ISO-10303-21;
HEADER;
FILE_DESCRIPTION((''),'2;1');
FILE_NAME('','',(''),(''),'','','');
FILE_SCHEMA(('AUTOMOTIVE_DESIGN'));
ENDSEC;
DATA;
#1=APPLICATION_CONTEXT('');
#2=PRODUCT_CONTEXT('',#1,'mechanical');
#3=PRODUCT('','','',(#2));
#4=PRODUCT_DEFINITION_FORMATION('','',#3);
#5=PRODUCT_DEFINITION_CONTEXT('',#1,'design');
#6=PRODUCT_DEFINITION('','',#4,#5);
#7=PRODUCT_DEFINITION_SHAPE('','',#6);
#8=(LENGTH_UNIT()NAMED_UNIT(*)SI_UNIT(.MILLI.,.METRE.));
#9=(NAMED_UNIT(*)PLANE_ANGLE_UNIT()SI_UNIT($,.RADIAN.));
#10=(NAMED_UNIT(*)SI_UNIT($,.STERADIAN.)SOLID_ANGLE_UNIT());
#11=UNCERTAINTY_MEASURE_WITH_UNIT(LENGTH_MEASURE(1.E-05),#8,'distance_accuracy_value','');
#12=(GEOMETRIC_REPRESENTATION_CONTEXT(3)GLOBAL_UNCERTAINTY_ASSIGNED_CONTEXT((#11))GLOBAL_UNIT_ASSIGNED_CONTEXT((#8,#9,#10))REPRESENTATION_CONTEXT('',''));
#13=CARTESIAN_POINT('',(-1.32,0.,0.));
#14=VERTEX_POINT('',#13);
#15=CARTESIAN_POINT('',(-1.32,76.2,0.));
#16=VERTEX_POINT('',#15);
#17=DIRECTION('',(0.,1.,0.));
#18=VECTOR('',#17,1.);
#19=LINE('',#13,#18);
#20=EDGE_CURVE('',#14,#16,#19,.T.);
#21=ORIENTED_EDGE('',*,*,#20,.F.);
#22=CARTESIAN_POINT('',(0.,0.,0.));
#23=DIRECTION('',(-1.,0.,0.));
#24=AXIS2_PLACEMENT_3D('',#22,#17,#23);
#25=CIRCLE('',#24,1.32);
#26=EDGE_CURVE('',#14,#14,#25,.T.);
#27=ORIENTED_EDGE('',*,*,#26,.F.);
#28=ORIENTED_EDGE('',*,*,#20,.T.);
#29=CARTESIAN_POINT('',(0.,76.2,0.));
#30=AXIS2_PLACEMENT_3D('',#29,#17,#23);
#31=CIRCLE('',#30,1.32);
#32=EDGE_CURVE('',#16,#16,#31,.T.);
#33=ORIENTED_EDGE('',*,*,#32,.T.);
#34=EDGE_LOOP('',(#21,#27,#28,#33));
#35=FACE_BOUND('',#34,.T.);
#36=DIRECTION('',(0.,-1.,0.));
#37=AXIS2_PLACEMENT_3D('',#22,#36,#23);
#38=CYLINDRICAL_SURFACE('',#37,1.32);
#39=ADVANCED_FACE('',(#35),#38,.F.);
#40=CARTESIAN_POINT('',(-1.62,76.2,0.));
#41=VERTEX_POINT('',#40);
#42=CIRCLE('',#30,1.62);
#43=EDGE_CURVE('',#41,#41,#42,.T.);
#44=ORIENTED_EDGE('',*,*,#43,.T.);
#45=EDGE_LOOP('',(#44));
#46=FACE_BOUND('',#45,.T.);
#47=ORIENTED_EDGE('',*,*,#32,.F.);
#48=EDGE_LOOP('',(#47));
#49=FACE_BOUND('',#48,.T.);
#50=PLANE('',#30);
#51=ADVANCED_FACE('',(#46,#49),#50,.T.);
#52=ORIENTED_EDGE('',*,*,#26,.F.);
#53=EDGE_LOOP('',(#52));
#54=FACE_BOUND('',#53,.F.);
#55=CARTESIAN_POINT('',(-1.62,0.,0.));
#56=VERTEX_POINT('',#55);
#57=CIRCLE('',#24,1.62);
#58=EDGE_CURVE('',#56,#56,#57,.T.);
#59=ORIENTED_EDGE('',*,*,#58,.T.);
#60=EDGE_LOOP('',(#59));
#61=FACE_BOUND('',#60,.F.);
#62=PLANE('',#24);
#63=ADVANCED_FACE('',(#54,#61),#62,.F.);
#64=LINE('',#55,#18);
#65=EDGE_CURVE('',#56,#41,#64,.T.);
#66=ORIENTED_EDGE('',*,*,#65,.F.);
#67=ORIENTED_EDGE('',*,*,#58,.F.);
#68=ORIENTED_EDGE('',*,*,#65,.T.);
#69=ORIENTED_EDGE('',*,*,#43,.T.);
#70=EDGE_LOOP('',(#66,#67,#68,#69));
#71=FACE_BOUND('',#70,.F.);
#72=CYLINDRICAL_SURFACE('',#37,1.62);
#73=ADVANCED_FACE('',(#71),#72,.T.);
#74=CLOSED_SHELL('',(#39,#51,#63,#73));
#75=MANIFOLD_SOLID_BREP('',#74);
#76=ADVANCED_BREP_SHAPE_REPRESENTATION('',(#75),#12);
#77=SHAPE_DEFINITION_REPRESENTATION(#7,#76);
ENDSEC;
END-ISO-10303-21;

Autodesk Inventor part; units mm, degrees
ref_plane "YZ Plane" through (0, 0, 0) normal (1, 0, 0) x (0, 1, 0)
ref_plane "XZ Plane" through (0, 0, 0) normal (0, 1, 0) x (-1, 0, 0)
ref_plane "XY Plane" through (0, 0, 0) normal (0, 0, 1) x (1, 0, 0)
sketch "Sketch1" plane through (0, 0, 0) normal (0, 1, 0) x (-1, 0, 0)
  circle A0 centre (0, 0) radius 1.32
  circle A1 centre (0, 0) radius 1.62
  dimension "d0" = 3.24
  dimension "d1" = 0.3
extrude "Extrusion1" add sketch "Sketch1" along normal blind 76.2
properties part number "Antenna"
